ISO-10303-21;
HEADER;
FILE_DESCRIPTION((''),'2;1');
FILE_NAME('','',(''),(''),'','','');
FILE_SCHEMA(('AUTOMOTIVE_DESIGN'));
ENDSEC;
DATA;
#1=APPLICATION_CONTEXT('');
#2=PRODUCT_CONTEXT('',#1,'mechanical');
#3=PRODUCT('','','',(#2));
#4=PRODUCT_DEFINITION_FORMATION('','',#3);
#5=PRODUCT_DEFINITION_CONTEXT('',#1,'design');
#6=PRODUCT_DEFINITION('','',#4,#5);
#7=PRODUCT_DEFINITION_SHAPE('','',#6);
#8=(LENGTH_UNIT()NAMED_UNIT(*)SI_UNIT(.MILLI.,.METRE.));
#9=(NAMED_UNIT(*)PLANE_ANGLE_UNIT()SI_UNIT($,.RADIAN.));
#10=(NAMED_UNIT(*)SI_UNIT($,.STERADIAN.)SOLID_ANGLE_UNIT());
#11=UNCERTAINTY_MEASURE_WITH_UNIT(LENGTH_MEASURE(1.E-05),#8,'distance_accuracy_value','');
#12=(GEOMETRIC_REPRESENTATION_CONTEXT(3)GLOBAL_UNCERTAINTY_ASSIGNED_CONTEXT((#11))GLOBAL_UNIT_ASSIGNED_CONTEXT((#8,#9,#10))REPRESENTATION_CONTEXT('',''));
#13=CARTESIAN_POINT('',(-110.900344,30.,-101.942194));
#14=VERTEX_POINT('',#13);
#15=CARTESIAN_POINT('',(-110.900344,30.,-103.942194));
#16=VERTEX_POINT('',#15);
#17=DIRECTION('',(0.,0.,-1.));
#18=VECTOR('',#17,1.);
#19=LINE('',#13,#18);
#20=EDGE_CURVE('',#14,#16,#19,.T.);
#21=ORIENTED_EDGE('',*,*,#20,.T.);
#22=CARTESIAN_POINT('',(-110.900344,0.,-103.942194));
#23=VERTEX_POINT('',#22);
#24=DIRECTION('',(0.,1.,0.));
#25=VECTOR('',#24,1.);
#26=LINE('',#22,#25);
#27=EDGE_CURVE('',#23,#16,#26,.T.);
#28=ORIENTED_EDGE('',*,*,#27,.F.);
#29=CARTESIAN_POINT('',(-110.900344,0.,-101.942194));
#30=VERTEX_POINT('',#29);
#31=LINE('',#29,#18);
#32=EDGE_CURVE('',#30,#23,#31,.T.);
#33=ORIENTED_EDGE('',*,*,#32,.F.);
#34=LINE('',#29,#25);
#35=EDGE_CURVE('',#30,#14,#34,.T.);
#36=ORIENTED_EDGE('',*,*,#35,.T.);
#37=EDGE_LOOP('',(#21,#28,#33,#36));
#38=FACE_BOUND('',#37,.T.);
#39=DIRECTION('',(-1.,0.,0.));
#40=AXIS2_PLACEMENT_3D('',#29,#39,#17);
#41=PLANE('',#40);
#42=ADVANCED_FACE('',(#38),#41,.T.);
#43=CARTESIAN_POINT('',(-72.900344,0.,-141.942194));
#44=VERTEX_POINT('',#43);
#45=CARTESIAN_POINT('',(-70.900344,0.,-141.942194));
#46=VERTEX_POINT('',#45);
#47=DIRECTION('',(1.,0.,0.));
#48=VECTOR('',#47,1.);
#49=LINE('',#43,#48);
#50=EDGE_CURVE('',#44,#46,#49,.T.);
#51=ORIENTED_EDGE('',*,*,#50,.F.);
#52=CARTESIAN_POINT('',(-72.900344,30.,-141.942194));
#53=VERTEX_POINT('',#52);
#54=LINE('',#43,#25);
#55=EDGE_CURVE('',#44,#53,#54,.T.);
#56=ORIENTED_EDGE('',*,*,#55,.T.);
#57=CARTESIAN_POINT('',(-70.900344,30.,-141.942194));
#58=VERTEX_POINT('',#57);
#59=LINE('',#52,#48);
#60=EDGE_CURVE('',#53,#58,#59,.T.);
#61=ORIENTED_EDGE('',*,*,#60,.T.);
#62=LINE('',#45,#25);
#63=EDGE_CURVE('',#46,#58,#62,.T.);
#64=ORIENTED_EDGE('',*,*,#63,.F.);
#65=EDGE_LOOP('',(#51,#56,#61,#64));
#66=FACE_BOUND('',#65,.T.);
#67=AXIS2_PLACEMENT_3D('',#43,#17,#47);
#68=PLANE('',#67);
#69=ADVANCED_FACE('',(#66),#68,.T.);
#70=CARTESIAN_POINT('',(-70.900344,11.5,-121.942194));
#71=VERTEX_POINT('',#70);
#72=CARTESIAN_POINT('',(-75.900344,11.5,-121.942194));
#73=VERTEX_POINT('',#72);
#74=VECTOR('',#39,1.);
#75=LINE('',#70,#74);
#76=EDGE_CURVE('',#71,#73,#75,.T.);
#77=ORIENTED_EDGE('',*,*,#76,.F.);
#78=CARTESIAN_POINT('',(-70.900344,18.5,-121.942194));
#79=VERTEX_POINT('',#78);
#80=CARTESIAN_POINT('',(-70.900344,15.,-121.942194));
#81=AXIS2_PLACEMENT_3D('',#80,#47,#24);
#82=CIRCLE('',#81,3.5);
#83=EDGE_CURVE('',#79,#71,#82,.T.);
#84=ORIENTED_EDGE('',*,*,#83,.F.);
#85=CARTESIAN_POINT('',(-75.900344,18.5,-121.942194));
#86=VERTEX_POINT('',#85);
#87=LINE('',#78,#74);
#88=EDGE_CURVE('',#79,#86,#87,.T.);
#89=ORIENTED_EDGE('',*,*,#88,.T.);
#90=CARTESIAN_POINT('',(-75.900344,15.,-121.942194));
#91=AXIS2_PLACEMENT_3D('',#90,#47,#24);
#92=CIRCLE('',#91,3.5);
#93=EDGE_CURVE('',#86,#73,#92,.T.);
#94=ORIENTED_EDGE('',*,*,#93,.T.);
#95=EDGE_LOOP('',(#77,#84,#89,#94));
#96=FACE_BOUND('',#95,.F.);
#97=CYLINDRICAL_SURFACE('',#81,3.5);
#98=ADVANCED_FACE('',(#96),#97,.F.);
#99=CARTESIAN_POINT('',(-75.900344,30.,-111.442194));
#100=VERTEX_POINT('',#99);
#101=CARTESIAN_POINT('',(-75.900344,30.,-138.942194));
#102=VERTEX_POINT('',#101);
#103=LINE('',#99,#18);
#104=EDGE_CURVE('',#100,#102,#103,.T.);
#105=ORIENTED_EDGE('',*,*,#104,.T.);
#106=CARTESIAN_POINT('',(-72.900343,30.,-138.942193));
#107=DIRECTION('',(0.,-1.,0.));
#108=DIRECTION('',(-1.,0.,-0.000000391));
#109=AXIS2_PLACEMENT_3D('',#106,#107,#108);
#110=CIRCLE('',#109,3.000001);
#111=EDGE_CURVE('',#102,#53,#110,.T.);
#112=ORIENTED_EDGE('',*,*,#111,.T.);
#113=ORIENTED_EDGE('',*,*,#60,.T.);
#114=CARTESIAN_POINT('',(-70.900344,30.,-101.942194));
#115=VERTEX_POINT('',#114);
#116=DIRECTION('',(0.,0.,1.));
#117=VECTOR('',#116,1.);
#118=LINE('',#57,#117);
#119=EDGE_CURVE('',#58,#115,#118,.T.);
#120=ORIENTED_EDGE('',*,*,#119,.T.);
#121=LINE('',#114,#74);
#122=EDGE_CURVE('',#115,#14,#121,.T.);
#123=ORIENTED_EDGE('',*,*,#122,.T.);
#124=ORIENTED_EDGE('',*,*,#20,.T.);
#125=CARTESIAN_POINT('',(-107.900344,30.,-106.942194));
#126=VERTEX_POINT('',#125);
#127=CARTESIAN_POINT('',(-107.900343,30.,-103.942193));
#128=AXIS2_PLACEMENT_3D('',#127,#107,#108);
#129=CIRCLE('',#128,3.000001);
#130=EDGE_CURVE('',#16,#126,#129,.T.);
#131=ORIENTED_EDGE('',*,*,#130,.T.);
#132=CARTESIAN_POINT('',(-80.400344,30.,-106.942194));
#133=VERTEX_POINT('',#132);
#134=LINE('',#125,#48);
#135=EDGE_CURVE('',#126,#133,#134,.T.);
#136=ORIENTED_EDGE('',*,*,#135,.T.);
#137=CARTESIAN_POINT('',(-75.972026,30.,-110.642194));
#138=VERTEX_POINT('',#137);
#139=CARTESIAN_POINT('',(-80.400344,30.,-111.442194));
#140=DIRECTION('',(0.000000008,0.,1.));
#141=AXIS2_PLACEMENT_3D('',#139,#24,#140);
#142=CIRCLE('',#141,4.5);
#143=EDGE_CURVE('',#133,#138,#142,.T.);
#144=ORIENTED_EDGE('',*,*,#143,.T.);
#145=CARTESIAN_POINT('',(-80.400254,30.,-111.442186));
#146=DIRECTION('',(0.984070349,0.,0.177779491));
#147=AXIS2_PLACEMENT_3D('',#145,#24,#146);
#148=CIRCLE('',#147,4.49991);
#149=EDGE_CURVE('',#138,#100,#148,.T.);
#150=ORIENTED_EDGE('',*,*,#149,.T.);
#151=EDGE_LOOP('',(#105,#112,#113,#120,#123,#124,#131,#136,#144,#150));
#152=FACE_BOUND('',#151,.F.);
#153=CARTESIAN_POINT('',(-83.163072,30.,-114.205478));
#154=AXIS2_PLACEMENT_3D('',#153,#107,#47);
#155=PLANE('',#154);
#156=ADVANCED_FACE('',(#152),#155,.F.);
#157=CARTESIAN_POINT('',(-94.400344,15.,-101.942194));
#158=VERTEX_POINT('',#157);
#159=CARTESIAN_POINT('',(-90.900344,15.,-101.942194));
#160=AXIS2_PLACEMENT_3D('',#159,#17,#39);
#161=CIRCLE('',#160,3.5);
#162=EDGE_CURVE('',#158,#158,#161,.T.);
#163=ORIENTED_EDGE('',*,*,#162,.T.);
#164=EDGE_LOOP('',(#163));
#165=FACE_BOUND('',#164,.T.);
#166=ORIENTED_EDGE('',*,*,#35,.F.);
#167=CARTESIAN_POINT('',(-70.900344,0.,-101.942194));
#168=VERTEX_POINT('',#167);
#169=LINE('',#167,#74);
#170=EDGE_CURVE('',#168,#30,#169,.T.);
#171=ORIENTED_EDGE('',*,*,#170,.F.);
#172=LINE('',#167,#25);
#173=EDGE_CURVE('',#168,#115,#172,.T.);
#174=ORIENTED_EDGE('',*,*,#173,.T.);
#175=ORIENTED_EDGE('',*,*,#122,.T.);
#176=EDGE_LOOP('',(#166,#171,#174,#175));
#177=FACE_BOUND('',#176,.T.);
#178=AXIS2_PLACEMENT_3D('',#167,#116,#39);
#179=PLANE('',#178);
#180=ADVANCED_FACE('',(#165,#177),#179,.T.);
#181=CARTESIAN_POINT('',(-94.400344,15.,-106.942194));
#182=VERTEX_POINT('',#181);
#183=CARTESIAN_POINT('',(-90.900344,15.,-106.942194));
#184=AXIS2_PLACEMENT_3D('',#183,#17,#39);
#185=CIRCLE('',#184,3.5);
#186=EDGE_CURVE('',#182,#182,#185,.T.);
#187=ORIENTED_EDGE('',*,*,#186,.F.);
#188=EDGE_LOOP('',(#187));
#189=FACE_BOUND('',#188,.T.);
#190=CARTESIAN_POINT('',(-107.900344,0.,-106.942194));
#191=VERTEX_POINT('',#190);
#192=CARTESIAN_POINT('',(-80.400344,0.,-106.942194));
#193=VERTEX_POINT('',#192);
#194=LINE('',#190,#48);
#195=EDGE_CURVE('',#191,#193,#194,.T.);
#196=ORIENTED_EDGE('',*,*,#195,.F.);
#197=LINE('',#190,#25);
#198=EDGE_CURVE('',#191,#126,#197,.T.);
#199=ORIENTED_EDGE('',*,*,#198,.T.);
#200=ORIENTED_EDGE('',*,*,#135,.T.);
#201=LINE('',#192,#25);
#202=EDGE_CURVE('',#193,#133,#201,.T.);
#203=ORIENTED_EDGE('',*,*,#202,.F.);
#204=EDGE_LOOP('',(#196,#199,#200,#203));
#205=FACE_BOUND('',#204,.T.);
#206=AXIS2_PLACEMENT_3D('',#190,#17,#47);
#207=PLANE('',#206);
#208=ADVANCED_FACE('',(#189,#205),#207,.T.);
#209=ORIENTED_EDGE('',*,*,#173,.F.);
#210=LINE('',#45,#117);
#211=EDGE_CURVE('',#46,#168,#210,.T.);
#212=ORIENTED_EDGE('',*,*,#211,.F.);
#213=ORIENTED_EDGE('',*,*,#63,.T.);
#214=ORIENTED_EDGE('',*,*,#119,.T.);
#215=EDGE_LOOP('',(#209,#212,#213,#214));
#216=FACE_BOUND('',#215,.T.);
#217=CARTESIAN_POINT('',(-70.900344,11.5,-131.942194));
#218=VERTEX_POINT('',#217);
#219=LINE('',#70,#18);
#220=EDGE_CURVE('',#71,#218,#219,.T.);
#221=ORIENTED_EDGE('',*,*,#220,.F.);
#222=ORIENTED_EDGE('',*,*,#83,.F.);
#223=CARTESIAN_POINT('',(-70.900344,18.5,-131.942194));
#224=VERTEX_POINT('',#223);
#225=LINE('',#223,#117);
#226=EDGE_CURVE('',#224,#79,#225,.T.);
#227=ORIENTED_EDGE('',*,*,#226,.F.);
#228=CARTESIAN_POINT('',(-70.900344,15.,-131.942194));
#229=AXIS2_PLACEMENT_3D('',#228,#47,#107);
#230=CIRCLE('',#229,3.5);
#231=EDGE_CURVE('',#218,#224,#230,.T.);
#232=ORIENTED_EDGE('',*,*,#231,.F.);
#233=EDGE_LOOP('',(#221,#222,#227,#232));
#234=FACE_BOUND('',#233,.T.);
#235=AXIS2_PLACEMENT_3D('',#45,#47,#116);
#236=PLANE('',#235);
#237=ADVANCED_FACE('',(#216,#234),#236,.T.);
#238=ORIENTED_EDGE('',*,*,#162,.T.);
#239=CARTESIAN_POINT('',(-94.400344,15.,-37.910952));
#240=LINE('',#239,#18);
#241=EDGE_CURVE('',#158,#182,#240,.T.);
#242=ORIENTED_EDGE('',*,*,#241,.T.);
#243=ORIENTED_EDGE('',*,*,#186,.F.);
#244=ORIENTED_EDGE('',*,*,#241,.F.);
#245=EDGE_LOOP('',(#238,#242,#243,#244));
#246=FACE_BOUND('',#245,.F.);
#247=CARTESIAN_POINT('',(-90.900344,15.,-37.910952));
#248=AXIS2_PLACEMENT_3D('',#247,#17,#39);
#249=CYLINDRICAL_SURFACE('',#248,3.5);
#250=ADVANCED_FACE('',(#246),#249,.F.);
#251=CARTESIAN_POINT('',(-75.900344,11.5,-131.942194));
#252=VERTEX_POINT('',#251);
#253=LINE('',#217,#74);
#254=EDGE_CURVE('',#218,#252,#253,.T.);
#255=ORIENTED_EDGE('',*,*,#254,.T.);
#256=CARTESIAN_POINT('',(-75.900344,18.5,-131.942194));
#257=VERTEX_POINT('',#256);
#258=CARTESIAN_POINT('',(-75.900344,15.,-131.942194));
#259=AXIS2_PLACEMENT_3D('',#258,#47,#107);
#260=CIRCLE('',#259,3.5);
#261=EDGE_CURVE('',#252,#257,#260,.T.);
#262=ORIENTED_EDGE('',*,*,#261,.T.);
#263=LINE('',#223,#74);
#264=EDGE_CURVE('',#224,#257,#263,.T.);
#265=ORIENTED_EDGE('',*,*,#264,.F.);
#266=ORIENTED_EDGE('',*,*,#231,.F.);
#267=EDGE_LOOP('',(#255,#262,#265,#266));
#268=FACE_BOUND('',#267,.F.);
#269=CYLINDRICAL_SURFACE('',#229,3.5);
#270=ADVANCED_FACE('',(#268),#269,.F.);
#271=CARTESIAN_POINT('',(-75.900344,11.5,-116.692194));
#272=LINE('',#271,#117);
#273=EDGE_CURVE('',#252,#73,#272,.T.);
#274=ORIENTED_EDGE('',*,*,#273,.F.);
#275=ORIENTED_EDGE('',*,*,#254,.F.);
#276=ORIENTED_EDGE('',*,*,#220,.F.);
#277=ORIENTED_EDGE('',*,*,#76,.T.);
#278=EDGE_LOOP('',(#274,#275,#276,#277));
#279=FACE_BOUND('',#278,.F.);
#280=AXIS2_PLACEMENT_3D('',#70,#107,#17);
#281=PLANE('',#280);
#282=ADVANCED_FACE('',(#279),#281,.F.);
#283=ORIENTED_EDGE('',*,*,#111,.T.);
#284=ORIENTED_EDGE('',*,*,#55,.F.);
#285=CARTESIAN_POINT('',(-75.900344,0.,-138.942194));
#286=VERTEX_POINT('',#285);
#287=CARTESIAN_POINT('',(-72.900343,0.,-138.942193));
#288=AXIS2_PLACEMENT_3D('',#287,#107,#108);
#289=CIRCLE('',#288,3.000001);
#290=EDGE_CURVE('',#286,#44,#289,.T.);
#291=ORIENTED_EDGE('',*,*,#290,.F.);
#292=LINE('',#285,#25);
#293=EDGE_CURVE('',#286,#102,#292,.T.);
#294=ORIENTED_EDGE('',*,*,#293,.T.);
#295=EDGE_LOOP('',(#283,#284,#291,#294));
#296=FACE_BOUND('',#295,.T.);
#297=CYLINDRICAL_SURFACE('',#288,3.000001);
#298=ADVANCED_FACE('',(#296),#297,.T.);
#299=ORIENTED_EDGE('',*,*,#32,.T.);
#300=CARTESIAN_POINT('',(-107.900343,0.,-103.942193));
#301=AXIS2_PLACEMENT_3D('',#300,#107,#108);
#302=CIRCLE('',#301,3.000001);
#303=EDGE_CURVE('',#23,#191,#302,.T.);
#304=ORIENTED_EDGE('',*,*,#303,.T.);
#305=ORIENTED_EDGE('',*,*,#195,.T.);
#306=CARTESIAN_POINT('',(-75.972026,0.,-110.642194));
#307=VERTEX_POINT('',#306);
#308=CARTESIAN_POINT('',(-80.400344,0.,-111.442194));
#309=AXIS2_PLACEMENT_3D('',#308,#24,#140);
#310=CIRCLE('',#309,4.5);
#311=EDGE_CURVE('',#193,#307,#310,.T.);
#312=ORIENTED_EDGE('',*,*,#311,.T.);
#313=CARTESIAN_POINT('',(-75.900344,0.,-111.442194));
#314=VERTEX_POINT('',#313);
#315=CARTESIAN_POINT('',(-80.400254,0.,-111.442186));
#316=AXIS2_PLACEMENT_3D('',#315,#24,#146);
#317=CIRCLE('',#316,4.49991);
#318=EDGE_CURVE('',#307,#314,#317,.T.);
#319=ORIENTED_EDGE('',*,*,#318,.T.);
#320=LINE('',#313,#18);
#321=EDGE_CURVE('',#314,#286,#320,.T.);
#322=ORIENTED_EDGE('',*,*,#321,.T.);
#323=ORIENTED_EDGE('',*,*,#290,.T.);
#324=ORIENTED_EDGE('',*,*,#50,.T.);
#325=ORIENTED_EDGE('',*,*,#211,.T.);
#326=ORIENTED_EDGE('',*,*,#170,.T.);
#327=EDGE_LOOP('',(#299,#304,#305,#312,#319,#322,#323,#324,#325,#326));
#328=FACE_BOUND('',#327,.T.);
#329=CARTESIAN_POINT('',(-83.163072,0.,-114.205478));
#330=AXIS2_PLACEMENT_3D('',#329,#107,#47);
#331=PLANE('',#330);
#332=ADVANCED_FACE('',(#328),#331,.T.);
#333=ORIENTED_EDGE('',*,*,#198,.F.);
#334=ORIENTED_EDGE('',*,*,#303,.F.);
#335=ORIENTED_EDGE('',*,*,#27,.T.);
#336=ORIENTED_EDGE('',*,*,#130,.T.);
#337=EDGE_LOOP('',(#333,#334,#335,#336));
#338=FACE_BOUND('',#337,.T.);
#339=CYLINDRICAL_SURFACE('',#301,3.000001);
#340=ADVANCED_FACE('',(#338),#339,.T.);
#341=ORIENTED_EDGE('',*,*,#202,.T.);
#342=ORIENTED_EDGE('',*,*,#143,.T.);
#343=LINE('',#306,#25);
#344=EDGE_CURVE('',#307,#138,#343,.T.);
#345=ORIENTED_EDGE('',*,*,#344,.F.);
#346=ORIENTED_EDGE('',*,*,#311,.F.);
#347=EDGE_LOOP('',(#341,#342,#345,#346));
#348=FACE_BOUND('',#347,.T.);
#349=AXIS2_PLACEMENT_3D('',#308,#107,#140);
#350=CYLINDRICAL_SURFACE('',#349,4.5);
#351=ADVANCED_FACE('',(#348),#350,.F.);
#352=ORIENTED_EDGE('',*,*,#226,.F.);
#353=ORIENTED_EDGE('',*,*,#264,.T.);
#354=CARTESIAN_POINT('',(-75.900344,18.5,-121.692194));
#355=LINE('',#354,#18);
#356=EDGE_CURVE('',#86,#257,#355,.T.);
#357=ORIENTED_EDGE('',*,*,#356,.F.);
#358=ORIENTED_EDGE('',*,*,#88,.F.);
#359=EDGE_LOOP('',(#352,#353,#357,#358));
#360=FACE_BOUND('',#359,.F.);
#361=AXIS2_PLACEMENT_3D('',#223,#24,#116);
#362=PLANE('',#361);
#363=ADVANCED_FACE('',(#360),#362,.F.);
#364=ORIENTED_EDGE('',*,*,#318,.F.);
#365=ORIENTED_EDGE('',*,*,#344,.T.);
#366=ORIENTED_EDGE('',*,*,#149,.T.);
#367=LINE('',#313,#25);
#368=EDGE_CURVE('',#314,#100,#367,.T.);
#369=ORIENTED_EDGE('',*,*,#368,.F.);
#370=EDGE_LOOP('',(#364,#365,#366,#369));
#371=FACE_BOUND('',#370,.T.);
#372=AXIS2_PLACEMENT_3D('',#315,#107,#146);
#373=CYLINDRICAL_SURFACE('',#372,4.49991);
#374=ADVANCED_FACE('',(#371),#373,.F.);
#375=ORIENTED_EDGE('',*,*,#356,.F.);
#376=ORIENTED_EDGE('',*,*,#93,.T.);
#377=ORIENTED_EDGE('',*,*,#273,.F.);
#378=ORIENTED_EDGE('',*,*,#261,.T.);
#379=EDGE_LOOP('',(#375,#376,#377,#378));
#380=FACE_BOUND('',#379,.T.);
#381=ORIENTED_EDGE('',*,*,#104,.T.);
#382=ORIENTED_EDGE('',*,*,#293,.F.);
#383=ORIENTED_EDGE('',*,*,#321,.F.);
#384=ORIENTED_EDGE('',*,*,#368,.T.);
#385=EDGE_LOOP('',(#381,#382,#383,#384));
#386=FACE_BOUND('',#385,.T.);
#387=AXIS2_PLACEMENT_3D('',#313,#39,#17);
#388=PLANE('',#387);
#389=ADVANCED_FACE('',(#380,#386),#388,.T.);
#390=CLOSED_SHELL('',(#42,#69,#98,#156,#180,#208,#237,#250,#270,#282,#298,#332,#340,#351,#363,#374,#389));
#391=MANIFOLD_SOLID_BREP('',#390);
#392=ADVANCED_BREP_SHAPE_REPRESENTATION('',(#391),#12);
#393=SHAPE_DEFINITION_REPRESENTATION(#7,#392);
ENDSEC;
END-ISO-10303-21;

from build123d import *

# Parameters (mm, degrees)
F1_DEPTH = 30
F3_D     = 7
F5_DEPTH = 25


with BuildPart() as f1:
    # F0 (on Front) → F1 (new body)
    with BuildSketch(Plane.XZ):
        with BuildLine():
            ThreePointArc((-80.400344, -106.942194), (-77.515036, -107.988935), (-75.972026, -110.642194))
            ThreePointArc((-75.972026, -110.642194), (-75.9183, -111.040591), (-75.900344, -111.442194))
            Line((-75.900344, -111.442194), (-75.900344, -138.942194))
            ThreePointArc((-75.900344, -138.942194), (-75.021664, -141.063514), (-72.900344, -141.942194))
            Line((-72.900344, -141.942194), (-70.900344, -141.942194))
            Line((-70.900344, -141.942194), (-70.900344, -101.942194))
            Line((-70.900344, -101.942194), (-110.900344, -101.942194))
            Line((-110.900344, -101.942194), (-110.900344, -103.942194))
            ThreePointArc((-110.900344, -103.942194), (-110.021664, -106.063514), (-107.900344, -106.942194))
            Line((-107.900344, -106.942194), (-80.400344, -106.942194))
        make_face()
    extrude(amount=-F1_DEPTH)

    # F3 (through all)
    with Locations(Plane.XY.offset(-101.942194)):
        with Locations((-90.900344, 15)):
            Hole(F3_D / 2)

    # F4 (on face) → F5 (cut)
    with BuildSketch(Plane.YZ.offset(-70.900344)):
        with BuildLine():
            ThreePointArc((11.5, -131.942194), (15, -135.442194), (18.5, -131.942194))
            Line((18.5, -131.942194), (18.5, -121.942194))
            ThreePointArc((18.5, -121.942194), (15, -118.442194), (11.5, -121.942194))
            Line((11.5, -121.942194), (11.5, -131.942194))
        make_face()
    extrude(amount=-F5_DEPTH, mode=Mode.SUBTRACT)


solid = f1.part
